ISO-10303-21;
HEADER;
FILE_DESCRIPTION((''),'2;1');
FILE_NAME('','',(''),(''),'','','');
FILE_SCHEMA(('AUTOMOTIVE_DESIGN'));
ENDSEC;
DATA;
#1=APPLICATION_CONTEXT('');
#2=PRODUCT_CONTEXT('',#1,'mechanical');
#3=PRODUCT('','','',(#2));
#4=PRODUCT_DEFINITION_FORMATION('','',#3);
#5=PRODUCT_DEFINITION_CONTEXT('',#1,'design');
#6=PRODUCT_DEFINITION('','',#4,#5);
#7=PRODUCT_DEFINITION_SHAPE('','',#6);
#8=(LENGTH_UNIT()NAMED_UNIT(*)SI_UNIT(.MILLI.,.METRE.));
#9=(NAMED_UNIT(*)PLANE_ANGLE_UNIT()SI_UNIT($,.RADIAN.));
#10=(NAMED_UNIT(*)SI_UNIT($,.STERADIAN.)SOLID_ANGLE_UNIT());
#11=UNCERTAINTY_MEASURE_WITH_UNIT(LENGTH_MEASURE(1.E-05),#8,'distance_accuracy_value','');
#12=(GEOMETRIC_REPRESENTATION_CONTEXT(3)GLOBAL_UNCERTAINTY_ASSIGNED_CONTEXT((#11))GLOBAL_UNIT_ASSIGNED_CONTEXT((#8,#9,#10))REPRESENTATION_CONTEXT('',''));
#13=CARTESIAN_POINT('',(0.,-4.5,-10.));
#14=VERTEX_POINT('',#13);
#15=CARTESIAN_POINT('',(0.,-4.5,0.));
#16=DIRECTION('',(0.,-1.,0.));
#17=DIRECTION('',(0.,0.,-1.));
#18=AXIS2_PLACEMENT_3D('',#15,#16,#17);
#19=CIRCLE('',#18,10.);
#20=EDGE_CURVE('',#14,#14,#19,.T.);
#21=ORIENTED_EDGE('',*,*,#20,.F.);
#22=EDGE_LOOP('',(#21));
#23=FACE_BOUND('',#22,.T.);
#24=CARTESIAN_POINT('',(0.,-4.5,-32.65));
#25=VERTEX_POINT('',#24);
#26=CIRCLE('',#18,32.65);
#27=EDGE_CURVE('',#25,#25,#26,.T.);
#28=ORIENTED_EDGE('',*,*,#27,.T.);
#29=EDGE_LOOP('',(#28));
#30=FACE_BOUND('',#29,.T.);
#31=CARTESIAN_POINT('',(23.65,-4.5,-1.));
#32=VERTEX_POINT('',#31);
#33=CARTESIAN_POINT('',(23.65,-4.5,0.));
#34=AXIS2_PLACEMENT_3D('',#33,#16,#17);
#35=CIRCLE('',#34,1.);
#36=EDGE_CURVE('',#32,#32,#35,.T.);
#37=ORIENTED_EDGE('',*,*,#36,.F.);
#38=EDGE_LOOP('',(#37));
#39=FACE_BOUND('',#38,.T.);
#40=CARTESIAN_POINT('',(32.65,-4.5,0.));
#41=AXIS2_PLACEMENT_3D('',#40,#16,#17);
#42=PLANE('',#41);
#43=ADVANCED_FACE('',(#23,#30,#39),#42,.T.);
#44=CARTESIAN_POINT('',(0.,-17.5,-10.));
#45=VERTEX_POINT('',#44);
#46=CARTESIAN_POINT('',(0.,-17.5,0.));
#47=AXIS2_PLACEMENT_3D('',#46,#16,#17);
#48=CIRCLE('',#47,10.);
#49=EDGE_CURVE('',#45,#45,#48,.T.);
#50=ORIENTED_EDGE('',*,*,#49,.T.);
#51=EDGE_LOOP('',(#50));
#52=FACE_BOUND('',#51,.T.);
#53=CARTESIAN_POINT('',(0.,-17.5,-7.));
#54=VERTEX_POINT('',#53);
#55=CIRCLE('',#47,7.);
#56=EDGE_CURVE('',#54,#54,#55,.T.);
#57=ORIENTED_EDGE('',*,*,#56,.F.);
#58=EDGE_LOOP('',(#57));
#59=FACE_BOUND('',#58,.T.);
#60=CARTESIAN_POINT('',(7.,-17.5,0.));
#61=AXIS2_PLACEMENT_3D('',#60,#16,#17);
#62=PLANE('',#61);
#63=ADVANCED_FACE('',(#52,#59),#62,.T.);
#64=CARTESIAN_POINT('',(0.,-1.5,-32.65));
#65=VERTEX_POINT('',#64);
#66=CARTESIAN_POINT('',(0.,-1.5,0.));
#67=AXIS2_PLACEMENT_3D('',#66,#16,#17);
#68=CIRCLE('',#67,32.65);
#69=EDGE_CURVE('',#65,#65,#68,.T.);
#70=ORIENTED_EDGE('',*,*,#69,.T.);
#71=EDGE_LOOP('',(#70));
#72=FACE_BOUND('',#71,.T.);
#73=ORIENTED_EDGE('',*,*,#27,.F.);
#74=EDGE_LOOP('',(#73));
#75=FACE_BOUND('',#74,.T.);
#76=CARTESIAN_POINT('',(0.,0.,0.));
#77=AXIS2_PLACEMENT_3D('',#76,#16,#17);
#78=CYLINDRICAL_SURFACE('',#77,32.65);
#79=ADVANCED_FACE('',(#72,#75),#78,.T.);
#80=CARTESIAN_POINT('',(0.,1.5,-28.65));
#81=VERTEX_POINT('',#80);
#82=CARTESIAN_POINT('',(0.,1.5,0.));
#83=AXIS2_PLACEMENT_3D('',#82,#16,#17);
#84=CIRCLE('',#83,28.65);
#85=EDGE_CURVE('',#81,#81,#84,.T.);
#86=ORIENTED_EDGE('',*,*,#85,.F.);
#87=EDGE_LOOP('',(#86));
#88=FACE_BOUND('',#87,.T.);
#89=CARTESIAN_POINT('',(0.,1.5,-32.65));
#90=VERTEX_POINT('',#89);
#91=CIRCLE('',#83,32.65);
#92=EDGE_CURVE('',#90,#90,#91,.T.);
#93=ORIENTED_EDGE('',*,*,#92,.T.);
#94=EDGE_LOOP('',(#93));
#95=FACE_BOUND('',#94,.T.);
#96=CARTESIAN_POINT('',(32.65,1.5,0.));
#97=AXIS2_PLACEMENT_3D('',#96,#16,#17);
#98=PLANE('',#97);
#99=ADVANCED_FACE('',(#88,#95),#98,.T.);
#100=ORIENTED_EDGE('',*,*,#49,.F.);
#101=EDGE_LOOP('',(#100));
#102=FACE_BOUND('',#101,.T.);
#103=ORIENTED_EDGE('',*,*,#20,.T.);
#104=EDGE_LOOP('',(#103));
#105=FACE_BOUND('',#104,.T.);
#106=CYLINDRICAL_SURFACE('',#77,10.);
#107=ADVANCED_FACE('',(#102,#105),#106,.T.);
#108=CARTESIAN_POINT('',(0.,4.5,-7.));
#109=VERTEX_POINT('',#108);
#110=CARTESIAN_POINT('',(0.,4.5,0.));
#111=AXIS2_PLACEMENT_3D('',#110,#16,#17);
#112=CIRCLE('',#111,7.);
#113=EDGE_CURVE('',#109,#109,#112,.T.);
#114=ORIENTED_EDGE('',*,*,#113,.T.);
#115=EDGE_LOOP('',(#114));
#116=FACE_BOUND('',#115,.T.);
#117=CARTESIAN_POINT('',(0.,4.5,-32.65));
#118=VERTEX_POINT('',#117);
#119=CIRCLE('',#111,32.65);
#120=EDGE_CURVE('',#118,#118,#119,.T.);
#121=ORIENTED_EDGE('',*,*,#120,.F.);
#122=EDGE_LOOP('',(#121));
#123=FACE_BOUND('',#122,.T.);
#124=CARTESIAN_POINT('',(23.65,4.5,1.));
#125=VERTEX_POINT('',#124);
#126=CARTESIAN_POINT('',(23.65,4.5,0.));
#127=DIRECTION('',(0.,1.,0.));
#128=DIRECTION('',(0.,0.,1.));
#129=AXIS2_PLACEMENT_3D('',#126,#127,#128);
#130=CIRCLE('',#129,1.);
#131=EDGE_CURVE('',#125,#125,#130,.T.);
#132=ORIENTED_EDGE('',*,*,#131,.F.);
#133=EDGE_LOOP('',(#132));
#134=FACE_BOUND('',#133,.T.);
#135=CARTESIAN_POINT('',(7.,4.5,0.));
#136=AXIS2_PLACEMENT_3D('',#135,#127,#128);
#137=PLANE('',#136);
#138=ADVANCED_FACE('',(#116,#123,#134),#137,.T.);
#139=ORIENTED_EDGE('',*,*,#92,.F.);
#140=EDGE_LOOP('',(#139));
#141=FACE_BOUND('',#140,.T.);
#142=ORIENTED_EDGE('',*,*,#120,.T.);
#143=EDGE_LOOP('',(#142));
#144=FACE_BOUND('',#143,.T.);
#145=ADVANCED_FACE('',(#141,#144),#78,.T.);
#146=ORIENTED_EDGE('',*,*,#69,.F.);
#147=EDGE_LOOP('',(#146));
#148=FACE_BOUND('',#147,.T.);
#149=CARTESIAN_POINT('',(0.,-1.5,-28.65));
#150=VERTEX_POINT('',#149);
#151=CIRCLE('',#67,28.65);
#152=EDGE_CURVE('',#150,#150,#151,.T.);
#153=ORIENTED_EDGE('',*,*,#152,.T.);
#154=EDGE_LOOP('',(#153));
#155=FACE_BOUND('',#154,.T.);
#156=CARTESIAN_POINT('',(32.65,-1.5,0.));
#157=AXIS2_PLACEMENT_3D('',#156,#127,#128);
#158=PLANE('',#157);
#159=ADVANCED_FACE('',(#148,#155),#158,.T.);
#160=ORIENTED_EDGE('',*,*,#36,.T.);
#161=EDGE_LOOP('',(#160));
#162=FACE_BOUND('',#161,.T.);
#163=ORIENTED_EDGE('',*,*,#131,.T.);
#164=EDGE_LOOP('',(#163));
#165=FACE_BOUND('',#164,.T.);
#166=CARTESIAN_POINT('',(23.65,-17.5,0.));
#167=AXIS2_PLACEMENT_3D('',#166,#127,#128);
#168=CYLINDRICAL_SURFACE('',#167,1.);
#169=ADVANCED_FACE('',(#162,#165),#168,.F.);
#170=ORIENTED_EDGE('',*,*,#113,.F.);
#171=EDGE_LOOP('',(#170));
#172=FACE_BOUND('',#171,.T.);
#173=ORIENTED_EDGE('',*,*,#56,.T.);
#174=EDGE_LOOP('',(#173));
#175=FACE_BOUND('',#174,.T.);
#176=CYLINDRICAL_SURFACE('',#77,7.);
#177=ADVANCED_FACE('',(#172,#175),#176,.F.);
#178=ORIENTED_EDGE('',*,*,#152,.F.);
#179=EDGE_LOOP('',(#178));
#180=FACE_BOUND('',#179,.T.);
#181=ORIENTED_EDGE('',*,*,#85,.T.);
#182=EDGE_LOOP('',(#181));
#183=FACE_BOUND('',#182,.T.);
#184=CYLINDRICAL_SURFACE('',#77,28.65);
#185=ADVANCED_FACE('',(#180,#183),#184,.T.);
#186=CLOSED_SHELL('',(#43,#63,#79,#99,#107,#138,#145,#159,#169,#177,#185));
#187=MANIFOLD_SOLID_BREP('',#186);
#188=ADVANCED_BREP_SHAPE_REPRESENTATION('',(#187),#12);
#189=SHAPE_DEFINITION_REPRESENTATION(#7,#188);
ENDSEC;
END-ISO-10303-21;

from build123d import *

# Parameters (mm, degrees)
SKETCH2_R          = 1
CUT_EXTRUDE1_DEPTH = 52.147287318


with BuildPart() as part:
    # Sketch1 → Revolve1 (revolve)
    with BuildSketch(Plane.XY, mode=Mode.PRIVATE) as revolve1_sk:
        Polygon((32.65, -4.5), (10, -4.5), (10, -17.5), (7, -17.5), (7, 4.5), (32.65, 4.5), (32.65, 1.5), (28.65, 1.5), (28.65, -1.5), (32.65, -1.5), align=None)
    revolve(revolve1_sk.sketch.rotate(Axis((0, 0, 0), (0, 1, 0)), 90), axis=Axis((0, 0, 0), (0, 1, 0)))

    # Sketch2 → Cut-Extrude1 (cut, through all)
    with BuildSketch(Plane(origin=(0, 4.5, 0), x_dir=(1, 0, 0), z_dir=(0, 1, 0))):
        with Locations(Location((23.65, 0, 0), (0, 0, 270))):
            Circle(SKETCH2_R)
    extrude(amount=-CUT_EXTRUDE1_DEPTH, mode=Mode.SUBTRACT)


solid = part.part
